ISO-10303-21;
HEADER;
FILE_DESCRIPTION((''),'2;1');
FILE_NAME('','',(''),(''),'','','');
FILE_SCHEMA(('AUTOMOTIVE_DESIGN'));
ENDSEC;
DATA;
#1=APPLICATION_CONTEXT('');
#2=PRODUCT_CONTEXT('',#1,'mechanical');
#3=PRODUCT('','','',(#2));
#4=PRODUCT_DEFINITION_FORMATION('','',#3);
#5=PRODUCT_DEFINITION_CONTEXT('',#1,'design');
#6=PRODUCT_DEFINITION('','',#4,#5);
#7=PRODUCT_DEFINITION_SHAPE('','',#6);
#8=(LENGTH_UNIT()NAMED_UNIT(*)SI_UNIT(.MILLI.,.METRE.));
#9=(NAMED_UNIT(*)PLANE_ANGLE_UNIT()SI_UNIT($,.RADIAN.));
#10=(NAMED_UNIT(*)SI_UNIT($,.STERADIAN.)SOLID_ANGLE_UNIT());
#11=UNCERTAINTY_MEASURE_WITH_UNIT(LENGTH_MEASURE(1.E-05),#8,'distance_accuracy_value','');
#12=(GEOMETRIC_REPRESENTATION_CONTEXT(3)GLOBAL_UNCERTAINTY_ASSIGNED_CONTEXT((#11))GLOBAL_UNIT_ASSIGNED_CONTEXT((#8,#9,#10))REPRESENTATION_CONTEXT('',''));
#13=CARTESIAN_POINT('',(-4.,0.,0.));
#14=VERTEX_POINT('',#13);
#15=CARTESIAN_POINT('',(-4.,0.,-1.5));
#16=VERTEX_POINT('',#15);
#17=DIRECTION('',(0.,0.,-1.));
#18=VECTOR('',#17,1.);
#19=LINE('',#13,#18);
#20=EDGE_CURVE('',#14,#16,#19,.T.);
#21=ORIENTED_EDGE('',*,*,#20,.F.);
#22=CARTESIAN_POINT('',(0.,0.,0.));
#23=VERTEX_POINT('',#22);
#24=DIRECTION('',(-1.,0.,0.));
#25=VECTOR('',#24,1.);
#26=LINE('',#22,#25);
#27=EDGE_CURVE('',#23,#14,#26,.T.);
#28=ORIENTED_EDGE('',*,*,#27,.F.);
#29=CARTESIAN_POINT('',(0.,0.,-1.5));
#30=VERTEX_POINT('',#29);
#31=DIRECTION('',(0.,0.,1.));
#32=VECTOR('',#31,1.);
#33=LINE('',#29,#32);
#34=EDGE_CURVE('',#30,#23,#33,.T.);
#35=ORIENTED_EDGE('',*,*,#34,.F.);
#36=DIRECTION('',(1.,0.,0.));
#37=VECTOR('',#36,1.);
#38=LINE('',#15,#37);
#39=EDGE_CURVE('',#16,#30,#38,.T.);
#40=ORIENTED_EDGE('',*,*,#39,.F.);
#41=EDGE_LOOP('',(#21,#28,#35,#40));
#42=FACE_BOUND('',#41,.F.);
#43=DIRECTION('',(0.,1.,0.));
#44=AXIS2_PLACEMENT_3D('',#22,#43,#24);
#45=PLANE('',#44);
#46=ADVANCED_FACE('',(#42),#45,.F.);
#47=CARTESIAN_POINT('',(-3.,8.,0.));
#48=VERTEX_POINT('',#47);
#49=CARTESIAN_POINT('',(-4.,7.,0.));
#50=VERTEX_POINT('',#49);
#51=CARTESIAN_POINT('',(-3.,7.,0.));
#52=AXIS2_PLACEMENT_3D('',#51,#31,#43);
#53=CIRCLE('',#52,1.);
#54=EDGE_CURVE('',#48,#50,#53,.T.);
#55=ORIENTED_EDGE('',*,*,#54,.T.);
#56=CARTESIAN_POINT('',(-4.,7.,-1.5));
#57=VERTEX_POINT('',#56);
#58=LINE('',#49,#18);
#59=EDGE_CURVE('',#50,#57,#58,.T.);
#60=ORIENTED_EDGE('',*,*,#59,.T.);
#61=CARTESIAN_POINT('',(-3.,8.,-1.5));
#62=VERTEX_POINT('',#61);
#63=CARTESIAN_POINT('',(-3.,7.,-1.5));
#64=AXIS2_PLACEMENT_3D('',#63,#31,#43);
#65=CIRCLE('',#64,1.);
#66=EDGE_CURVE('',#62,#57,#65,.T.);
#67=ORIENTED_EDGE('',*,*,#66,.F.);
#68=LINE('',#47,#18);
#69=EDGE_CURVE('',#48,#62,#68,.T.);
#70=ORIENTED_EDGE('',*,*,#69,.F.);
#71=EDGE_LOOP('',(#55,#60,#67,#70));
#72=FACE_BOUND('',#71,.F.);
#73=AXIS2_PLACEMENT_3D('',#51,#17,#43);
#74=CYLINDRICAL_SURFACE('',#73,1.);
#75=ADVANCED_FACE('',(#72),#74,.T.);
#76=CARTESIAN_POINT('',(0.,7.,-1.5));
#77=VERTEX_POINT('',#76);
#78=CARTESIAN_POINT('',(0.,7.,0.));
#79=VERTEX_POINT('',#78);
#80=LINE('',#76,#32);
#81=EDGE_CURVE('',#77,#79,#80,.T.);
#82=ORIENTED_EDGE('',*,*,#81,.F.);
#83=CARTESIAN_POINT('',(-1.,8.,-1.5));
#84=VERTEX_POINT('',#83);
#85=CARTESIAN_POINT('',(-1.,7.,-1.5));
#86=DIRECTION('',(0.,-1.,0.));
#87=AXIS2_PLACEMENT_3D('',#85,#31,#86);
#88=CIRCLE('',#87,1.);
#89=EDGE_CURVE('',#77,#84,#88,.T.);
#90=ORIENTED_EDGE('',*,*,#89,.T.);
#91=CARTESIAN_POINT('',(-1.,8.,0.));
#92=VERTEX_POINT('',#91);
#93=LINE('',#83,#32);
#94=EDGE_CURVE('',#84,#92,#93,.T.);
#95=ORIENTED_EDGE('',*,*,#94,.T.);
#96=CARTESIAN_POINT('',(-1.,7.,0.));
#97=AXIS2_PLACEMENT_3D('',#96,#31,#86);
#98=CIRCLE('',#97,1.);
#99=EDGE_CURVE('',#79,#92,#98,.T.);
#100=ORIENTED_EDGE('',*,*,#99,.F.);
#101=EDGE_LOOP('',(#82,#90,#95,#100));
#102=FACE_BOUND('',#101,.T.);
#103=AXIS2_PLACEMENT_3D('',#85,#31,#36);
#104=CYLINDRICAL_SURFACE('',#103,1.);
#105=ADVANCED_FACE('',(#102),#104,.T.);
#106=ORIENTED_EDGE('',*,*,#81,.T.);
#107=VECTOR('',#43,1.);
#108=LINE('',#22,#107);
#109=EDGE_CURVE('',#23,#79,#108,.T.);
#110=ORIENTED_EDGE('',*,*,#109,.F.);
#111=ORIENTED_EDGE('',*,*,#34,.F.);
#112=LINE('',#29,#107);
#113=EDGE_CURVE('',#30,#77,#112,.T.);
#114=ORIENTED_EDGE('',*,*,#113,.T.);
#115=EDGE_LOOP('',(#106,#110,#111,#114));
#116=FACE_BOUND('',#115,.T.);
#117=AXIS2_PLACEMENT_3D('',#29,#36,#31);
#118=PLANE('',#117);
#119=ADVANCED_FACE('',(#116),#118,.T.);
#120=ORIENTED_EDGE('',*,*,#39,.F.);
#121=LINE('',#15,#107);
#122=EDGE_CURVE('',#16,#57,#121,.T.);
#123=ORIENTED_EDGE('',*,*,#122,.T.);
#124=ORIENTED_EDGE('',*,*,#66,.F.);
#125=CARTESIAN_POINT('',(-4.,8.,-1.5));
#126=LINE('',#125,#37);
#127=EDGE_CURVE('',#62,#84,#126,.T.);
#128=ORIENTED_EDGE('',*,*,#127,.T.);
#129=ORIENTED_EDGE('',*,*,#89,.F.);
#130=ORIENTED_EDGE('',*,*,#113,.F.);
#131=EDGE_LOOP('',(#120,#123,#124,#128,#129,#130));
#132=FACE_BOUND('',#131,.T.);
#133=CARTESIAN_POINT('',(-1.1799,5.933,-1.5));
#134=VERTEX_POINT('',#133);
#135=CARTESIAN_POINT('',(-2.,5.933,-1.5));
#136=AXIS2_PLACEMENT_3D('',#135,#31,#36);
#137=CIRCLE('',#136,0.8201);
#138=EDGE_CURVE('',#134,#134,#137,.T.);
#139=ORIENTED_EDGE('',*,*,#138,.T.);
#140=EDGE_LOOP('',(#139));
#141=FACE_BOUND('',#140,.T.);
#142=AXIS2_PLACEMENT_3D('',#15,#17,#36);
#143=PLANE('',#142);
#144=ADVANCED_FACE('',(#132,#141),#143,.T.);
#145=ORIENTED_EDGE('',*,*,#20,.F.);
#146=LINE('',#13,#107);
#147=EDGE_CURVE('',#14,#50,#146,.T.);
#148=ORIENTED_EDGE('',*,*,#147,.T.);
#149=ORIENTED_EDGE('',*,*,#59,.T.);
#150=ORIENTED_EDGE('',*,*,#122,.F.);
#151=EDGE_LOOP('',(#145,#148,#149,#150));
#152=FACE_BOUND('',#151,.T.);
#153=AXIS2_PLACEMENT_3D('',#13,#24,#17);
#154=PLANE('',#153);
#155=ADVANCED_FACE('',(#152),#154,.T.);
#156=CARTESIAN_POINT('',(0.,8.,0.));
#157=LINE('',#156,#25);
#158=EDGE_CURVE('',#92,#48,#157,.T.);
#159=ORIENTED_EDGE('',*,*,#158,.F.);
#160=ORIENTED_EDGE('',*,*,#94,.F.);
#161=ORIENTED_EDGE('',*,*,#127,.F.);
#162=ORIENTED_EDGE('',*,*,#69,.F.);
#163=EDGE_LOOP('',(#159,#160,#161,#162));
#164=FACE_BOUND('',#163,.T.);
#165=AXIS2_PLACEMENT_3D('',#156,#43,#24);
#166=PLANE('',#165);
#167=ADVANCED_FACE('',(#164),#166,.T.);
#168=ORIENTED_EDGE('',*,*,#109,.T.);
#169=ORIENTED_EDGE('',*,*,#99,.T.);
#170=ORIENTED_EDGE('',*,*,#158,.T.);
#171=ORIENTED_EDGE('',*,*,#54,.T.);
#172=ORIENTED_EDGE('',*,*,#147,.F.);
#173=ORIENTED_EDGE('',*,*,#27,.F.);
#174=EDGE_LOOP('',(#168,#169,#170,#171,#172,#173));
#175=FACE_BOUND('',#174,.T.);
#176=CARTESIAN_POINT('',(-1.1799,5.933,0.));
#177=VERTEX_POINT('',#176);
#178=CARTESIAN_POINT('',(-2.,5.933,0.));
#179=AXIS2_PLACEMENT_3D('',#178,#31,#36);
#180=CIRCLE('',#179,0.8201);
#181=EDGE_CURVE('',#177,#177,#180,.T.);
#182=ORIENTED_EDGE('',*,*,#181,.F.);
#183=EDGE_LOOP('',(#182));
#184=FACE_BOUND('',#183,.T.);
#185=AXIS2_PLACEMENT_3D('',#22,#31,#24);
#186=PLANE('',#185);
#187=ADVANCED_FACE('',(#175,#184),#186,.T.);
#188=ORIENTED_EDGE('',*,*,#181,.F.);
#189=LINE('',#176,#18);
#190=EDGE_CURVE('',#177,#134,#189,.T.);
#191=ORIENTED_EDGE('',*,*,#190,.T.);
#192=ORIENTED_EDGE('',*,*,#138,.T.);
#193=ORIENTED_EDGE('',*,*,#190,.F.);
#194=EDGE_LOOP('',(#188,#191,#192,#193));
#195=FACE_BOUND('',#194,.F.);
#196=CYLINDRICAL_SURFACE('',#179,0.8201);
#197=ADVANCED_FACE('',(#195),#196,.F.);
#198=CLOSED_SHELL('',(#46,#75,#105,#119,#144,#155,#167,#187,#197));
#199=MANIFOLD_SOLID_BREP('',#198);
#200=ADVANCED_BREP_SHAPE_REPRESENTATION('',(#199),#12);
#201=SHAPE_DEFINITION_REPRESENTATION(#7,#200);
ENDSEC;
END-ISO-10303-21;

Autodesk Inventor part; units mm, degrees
ref_plane "YZ Plane" through (0, 0, 0) normal (1, 0, 0) x (0, 1, 0)
ref_plane "XZ Plane" through (0, 0, 0) normal (0, 1, 0) x (-1, 0, 0)
ref_plane "XY Plane" through (0, 0, 0) normal (0, 0, 1) x (1, 0, 0)
sketch "スケッチ1" plane through (0, 0, 0) normal (0, 1, 0) x (-1, 0, 0)
  line L0 (0, 0) -> (4, 0)
  line L1 (4, 0) -> (4, -1.5)
  line L2 (4, -1.5) -> (0, -1.5)
  line L3 (0, -1.5) -> (0, 0)
  dimension "d0" = 4
  dimension "d1" = 1.5
extrude "押し出し1" add sketch "スケッチ1" along normal blind 8
sketch "スケッチ2" plane through (-4, 0, 0) normal (0, 0, 1) x (1, 0, 0)
  circle A0 centre (2, 5.933) radius 0.8201
  line L0 (0, 0) -> (0, 8) projected
  point P0 (4, 0)
  dimension "d4" = 2
extrude "押し出し2" cut sketch "スケッチ2" against normal blind 8
fillet "フィレット1" radius 1 2 edges at (0, 8, -0.75) (-4, 8, -0.75)
properties part number "モーター端子"
